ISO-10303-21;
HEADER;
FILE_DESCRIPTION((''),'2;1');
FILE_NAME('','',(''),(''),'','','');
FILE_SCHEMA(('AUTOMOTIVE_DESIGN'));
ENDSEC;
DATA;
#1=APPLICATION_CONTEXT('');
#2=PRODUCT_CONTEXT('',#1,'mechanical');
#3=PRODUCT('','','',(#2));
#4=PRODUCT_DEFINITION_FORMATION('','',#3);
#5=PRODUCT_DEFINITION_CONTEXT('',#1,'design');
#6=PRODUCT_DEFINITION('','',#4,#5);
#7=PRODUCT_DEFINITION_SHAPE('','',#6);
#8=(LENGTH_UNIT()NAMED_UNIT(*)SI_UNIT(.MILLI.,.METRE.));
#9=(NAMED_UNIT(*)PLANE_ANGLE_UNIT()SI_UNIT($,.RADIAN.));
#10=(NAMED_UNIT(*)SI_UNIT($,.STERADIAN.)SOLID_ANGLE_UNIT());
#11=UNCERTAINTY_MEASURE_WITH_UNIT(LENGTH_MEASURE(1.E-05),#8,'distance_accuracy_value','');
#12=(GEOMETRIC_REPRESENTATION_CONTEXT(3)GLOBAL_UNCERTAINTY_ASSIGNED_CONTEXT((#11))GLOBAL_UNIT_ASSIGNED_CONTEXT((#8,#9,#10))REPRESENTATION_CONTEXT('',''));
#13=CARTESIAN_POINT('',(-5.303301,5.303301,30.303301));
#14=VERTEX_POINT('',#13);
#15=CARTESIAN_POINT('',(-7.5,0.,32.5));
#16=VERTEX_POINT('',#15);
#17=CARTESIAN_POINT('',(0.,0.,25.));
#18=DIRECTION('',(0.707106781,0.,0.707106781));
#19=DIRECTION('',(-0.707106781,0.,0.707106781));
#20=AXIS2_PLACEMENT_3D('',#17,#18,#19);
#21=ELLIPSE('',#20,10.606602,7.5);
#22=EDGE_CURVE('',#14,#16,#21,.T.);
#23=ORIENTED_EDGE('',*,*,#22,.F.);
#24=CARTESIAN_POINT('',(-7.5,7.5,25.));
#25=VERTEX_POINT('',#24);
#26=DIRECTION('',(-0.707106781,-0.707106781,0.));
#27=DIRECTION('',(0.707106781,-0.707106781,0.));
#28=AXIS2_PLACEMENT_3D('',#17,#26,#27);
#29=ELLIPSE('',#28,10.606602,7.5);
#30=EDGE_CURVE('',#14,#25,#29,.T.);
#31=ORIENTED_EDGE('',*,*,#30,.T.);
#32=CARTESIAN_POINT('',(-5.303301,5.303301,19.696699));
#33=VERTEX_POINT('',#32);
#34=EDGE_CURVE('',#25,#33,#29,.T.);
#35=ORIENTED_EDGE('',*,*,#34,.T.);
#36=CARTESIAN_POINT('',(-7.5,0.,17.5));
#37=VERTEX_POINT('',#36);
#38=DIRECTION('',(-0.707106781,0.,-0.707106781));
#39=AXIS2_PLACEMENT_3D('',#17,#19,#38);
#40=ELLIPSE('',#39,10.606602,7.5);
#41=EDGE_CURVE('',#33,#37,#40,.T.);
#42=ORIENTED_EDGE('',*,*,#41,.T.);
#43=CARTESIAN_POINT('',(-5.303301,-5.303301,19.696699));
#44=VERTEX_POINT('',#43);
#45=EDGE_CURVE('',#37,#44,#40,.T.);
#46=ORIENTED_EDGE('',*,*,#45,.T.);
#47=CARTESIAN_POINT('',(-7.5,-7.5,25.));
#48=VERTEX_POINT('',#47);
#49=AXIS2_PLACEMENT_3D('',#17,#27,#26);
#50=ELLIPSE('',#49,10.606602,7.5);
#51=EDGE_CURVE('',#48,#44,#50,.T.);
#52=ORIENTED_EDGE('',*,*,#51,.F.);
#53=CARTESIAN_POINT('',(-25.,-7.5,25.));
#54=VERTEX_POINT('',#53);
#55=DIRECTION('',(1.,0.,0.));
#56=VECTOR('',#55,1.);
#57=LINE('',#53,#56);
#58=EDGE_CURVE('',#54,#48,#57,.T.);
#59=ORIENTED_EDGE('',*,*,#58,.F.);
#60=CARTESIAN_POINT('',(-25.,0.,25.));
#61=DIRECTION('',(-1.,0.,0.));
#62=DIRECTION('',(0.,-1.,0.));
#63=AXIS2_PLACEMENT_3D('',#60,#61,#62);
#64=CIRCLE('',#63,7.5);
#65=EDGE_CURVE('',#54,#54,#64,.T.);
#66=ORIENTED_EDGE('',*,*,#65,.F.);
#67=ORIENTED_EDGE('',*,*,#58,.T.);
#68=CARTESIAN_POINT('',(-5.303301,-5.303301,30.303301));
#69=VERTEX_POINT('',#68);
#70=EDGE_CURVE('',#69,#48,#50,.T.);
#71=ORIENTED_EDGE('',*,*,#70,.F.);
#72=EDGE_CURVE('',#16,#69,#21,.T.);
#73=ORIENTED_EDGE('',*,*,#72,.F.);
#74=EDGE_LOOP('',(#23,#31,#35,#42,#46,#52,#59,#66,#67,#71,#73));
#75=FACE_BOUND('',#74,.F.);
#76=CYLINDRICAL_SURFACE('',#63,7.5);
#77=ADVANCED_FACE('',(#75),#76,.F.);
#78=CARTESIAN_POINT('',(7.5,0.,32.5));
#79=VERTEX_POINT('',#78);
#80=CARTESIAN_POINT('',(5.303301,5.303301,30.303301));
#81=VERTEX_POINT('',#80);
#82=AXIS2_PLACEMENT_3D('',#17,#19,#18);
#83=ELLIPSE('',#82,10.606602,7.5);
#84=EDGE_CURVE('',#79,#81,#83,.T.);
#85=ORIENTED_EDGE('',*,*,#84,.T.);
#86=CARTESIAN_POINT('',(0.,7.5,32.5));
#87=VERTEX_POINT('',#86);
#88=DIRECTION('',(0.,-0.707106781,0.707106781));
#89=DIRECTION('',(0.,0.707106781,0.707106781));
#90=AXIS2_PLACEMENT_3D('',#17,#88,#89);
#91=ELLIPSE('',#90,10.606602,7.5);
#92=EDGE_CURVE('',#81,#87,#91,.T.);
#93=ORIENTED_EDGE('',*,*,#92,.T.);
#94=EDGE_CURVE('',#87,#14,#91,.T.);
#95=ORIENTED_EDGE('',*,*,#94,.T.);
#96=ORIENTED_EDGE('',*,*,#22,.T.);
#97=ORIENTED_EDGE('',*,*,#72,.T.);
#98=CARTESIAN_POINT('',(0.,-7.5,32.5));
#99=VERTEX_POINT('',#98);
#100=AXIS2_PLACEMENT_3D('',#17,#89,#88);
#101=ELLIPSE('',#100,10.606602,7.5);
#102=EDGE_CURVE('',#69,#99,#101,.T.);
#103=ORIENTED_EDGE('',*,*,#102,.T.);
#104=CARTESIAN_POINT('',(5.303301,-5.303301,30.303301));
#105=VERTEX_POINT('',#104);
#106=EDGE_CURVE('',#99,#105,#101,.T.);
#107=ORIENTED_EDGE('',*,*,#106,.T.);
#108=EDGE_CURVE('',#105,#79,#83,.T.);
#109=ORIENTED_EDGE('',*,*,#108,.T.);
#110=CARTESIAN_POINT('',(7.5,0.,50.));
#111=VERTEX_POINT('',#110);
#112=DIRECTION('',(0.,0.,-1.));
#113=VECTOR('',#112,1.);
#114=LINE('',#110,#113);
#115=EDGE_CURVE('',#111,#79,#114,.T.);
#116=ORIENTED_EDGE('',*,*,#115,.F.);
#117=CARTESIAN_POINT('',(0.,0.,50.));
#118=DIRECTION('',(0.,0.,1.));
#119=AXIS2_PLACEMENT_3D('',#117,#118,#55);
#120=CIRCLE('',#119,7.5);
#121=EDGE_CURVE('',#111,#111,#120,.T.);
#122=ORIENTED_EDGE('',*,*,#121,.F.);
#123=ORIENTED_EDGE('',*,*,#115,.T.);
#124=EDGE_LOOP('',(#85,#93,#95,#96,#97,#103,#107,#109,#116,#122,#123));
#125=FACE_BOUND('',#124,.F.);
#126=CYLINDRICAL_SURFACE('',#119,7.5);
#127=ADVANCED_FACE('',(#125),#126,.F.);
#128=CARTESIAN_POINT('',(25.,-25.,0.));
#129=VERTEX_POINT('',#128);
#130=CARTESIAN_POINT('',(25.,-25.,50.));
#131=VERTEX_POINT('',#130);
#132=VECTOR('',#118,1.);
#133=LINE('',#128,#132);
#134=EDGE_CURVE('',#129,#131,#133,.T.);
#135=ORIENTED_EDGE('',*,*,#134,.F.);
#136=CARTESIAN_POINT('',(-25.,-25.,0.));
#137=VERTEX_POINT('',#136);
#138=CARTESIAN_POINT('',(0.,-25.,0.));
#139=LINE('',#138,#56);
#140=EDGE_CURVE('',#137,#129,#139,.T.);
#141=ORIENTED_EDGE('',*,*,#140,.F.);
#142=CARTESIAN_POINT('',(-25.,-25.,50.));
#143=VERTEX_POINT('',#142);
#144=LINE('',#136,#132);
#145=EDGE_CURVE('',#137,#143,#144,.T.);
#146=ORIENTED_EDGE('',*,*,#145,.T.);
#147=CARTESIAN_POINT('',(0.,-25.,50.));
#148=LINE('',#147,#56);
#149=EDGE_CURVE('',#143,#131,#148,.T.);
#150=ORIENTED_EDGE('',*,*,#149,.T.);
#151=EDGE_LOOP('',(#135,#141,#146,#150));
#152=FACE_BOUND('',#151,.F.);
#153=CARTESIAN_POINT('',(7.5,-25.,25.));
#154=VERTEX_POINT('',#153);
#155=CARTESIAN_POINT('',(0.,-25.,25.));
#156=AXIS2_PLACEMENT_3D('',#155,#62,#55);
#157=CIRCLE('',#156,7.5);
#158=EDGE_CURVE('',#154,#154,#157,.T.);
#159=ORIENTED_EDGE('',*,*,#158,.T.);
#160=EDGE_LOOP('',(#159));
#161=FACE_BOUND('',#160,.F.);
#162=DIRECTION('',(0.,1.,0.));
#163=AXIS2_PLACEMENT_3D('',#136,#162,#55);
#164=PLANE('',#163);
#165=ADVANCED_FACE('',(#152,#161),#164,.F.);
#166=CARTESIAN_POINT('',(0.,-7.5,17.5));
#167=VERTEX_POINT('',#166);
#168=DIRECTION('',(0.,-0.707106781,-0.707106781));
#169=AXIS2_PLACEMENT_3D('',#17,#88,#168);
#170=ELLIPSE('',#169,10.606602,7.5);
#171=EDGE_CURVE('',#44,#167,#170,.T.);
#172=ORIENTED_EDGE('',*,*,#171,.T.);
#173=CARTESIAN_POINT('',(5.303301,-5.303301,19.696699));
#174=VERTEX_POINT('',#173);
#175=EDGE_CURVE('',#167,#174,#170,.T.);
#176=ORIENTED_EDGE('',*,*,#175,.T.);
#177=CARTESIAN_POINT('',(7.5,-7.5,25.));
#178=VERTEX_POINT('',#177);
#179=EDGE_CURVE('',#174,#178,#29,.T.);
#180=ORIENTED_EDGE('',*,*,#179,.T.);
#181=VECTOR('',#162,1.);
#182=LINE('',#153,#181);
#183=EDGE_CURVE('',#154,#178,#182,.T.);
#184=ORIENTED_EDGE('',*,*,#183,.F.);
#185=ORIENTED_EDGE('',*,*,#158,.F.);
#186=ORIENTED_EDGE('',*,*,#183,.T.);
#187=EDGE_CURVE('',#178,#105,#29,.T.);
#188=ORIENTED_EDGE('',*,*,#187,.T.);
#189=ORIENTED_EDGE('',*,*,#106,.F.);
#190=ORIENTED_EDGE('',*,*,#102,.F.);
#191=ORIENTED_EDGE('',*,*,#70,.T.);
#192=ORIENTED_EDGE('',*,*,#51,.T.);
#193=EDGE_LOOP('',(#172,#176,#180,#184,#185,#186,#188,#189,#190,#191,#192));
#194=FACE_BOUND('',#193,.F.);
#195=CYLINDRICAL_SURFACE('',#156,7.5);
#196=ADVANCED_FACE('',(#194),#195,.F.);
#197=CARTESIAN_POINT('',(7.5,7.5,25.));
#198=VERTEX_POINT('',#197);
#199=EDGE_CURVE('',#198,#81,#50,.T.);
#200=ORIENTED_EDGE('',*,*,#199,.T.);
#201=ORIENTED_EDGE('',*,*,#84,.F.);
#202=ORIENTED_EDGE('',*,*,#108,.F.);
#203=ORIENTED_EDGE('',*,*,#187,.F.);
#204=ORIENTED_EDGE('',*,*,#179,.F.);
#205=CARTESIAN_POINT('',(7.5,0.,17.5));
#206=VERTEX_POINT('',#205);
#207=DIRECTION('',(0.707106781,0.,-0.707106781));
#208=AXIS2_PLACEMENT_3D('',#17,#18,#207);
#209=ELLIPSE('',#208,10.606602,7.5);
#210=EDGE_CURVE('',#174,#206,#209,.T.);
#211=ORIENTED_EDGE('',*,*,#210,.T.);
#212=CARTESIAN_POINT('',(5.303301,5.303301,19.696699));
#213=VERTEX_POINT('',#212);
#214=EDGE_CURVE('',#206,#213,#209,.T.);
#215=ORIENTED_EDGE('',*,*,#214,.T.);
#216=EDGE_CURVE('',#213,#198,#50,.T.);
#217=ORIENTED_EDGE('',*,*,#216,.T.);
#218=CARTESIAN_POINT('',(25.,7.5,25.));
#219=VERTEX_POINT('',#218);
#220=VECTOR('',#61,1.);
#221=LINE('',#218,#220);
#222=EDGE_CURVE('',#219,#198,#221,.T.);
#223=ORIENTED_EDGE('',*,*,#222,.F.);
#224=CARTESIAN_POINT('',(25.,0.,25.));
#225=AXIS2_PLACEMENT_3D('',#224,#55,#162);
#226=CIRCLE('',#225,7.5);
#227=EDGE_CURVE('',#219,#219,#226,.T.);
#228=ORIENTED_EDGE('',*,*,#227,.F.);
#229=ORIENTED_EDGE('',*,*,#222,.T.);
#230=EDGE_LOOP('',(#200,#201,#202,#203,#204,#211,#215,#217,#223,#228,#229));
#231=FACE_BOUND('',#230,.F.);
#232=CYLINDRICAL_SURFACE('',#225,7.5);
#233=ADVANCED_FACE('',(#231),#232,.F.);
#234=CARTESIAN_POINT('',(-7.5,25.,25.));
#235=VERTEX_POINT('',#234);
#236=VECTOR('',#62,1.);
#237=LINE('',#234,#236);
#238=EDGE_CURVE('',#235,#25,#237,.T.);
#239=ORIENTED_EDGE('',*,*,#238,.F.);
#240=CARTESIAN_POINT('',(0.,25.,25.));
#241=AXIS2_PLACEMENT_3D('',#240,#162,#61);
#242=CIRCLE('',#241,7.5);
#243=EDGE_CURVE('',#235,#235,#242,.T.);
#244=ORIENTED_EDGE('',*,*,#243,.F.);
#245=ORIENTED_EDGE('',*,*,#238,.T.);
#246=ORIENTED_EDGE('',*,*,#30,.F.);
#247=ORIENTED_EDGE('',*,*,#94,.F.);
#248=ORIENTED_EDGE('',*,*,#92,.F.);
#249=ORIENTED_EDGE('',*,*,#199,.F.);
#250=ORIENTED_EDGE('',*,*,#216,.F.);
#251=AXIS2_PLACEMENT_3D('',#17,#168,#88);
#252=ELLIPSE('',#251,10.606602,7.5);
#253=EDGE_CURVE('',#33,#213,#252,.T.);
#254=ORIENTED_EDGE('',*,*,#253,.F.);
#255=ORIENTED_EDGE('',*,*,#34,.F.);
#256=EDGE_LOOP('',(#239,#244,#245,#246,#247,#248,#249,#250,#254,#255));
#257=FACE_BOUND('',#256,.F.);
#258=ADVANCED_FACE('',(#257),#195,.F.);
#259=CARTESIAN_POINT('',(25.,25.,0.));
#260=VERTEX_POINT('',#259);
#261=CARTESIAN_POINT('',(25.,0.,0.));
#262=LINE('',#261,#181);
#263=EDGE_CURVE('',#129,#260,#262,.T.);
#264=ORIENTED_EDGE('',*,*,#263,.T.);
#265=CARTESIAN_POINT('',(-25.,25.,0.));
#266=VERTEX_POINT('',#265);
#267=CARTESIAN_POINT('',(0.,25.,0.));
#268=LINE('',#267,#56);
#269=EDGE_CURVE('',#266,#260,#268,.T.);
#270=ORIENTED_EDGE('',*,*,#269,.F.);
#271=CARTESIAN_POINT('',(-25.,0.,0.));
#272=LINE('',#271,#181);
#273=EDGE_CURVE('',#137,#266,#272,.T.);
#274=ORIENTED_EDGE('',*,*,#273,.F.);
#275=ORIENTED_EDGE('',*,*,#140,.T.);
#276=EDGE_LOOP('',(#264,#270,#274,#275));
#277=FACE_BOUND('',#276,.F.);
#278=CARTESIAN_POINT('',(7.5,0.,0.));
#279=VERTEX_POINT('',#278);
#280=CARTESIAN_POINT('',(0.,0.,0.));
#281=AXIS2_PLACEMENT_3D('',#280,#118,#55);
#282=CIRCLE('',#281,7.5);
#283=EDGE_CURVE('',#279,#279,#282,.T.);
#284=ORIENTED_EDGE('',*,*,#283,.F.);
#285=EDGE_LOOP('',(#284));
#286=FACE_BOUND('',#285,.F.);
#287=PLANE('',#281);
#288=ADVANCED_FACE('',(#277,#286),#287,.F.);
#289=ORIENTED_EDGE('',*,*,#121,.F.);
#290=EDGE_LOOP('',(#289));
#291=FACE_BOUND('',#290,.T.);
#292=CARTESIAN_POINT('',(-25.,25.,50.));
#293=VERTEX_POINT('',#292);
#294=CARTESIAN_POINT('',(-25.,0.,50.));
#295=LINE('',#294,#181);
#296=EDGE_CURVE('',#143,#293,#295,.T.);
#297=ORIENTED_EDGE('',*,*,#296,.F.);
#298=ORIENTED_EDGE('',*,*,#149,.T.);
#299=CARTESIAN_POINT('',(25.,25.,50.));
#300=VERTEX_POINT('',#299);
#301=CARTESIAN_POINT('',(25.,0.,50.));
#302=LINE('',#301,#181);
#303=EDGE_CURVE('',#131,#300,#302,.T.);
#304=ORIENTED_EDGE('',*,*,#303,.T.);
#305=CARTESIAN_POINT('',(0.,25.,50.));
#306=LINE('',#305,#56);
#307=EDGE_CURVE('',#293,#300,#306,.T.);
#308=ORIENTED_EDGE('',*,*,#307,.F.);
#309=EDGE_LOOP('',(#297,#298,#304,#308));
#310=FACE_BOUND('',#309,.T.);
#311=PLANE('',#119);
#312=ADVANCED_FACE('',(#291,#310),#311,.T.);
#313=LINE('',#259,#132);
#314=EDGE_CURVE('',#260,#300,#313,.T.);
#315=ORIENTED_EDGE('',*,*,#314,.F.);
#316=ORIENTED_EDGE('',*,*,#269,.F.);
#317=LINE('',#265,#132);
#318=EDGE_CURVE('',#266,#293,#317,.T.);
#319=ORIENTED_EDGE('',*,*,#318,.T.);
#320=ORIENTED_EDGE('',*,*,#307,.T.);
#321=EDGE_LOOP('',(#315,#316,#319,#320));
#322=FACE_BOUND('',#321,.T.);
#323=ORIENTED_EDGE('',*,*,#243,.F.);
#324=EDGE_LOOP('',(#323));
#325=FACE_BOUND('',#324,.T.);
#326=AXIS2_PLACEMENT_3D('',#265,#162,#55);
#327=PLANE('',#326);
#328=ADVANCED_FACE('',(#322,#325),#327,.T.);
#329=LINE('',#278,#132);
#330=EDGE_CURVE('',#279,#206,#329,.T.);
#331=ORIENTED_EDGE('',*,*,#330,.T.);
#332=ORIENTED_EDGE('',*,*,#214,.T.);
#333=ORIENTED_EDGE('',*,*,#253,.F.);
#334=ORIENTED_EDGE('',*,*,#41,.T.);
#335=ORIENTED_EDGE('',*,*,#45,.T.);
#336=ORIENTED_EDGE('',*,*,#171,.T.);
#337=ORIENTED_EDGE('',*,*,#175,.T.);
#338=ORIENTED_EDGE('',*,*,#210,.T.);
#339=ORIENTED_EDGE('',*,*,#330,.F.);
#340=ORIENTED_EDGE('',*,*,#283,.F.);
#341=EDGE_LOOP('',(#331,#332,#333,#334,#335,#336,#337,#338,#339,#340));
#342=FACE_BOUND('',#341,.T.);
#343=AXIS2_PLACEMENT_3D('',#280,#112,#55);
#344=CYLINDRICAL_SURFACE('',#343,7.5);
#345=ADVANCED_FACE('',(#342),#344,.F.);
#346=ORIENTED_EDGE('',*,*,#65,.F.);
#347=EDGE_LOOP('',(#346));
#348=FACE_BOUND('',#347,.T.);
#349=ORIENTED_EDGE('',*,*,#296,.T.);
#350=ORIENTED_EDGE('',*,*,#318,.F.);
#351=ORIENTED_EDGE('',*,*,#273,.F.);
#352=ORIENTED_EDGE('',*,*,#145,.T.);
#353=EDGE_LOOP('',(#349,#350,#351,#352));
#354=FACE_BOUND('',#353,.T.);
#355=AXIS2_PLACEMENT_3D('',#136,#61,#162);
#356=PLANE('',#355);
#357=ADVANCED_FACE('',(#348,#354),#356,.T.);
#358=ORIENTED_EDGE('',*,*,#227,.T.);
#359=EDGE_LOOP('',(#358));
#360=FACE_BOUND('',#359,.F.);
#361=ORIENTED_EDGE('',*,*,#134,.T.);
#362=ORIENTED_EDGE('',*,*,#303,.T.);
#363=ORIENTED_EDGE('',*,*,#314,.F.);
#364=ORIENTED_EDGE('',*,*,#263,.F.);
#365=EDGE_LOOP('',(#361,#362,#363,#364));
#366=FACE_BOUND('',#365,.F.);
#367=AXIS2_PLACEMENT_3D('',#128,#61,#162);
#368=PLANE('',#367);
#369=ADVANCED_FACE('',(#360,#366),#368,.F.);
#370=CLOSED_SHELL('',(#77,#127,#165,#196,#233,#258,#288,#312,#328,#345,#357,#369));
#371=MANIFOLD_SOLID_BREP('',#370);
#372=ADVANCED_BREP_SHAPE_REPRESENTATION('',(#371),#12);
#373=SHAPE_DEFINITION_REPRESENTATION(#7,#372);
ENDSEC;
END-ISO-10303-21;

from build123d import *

# Parameters (mm, degrees)
F0_W      = 50
F0_H      = 50
F1_DEPTH  = 50
F2_R      = 7.5
F8_DEPTH  = 25
F3_R      = 7.5
F9_DEPTH  = 25
F4_R      = 7.5
F10_DEPTH = 25
F5_R      = 7.5
F11_DEPTH = 25
F6_R      = 7.5
F12_DEPTH = 25
F7_R      = 7.5
F13_DEPTH = 25


with BuildPart() as f1:
    # F0 (on Top) → F1 (new body)
    with BuildSketch(Plane.XY):
        Rectangle(F0_W, F0_H)
    extrude(amount=F1_DEPTH)

    # F2 (on face) → F8 (cut)
    with BuildSketch(Plane.XY.offset(50)):
        Circle(F2_R)
    extrude(amount=-F8_DEPTH, mode=Mode.SUBTRACT)

    # F3 (on face) → F9 (cut)
    with BuildSketch(Plane(origin=(0, 25, 0), x_dir=(-1, 0, 0), z_dir=(0, 1, 0))):
        with Locations((0, 25)):
            Circle(F3_R)
    extrude(amount=-F9_DEPTH, mode=Mode.SUBTRACT)

    # F4 (on face) → F10 (cut)
    with BuildSketch(Plane.XZ.offset(25)):
        with Locations((0, 25)):
            Circle(F4_R)
    extrude(amount=-F10_DEPTH, mode=Mode.SUBTRACT)

    # F5 (on face) → F11 (cut)
    with BuildSketch(Plane(origin=(-25, 0, 0), x_dir=(0, -1, 0), z_dir=(-1, 0, 0))):
        with Locations((0, 25)):
            Circle(F5_R)
    extrude(amount=-F11_DEPTH, mode=Mode.SUBTRACT)

    # F6 (on face) → F12 (cut)
    with BuildSketch(Plane.YZ.offset(25)):
        with Locations((0, 25)):
            Circle(F6_R)
    extrude(amount=-F12_DEPTH, mode=Mode.SUBTRACT)

    # F7 (on face) → F13 (cut)
    with BuildSketch(Plane.XY):
        Circle(F7_R)
    extrude(amount=F13_DEPTH, mode=Mode.SUBTRACT)


solid = f1.part
